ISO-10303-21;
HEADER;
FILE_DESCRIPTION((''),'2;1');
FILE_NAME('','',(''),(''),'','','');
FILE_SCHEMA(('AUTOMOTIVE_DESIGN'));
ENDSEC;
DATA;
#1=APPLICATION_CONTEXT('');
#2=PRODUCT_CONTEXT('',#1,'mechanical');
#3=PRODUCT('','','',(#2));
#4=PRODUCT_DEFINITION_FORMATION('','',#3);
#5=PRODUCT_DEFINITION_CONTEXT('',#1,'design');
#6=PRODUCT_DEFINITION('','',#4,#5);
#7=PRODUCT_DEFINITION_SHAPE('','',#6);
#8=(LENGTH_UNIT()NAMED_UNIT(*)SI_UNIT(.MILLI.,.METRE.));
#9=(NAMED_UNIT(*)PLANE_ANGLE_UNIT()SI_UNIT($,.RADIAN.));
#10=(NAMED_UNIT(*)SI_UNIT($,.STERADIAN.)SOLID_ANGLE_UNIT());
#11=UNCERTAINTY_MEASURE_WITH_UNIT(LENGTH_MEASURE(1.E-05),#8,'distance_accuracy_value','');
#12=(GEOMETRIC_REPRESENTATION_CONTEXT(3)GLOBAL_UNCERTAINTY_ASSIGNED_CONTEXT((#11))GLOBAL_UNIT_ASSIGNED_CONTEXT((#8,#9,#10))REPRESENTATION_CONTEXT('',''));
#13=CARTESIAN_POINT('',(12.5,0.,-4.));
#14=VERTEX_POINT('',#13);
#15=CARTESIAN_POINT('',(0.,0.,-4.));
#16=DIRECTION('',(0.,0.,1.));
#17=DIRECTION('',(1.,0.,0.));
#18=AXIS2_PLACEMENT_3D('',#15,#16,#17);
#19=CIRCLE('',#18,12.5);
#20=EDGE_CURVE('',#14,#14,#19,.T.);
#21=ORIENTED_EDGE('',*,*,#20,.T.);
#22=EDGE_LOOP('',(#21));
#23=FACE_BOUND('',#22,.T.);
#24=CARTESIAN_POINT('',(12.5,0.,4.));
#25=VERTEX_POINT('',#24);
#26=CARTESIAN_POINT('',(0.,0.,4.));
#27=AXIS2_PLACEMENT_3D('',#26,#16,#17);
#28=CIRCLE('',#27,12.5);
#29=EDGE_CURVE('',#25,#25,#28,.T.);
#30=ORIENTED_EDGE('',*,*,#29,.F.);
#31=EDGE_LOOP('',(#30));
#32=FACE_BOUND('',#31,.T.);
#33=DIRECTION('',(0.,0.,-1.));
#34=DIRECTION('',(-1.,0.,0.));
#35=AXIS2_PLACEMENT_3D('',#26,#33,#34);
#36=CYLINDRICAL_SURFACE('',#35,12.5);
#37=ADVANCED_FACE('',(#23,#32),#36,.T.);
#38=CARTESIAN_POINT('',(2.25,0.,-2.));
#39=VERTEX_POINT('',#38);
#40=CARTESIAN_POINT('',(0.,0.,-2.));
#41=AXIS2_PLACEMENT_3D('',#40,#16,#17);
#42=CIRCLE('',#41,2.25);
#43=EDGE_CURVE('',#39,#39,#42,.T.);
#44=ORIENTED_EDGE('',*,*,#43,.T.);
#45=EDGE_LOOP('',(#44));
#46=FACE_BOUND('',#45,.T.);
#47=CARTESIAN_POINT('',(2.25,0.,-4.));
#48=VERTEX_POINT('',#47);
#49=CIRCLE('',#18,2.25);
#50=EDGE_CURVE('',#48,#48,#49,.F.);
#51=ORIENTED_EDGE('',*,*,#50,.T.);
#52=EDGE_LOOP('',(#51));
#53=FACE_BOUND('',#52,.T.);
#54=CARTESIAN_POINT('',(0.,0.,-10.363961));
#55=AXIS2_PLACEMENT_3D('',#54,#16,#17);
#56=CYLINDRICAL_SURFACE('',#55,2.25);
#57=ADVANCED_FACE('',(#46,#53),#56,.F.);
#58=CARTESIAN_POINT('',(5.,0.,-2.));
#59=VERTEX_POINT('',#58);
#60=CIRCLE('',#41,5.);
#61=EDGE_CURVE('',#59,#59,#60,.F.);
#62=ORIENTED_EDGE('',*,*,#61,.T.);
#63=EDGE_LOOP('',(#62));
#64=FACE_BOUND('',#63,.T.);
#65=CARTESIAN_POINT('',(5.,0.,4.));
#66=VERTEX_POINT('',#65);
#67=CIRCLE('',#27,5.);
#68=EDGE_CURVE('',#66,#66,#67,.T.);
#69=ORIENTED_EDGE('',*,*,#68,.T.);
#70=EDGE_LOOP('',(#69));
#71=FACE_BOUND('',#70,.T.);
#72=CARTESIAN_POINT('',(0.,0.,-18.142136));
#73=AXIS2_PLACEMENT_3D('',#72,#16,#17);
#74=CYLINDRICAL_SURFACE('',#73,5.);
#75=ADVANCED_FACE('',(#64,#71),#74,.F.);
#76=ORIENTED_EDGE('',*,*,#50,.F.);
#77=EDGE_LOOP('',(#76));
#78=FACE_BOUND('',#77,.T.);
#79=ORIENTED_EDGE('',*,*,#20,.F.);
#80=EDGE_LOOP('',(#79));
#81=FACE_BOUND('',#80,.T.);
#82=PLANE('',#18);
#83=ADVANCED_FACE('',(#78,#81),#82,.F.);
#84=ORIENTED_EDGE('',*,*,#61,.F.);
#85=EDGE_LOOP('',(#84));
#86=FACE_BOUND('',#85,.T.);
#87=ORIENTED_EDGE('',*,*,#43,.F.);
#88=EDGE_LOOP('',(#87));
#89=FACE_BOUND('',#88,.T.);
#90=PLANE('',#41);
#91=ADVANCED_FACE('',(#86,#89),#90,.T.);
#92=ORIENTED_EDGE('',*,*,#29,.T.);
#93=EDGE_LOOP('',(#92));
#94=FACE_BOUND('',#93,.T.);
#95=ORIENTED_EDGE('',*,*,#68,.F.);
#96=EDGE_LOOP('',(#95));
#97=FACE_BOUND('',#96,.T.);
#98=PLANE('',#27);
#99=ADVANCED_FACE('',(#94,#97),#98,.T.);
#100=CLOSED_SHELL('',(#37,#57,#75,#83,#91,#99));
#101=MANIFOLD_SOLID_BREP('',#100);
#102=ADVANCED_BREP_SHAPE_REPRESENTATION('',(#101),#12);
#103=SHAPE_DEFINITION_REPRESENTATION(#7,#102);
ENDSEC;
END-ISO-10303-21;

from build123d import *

# Parameters (mm, degrees)
SKETCH1_R           = 12.5
BOSS_EXTRUDE1_DEPTH = 4
SKETCH2_R           = 5
CUT_EXTRUDE1_DEPTH  = 6
SKETCH3_R           = 2.25
CUT_EXTRUDE2_DEPTH  = 2


with BuildPart() as part:
    # Sketch1 → Boss-Extrude1 (new, symmetric)
    with BuildSketch(Plane.XY):
        Circle(SKETCH1_R)
    extrude(amount=BOSS_EXTRUDE1_DEPTH, both=True)

    # Sketch2 → Cut-Extrude1 (cut)
    with BuildSketch(Plane.XY.offset(4)):
        Circle(SKETCH2_R)
    extrude(amount=-CUT_EXTRUDE1_DEPTH, mode=Mode.SUBTRACT)

    # Sketch3 → Cut-Extrude2 (cut)
    with BuildSketch(Plane.XY.offset(-2)):
        Circle(SKETCH3_R)
    extrude(amount=-CUT_EXTRUDE2_DEPTH, mode=Mode.SUBTRACT)


solid = part.part
